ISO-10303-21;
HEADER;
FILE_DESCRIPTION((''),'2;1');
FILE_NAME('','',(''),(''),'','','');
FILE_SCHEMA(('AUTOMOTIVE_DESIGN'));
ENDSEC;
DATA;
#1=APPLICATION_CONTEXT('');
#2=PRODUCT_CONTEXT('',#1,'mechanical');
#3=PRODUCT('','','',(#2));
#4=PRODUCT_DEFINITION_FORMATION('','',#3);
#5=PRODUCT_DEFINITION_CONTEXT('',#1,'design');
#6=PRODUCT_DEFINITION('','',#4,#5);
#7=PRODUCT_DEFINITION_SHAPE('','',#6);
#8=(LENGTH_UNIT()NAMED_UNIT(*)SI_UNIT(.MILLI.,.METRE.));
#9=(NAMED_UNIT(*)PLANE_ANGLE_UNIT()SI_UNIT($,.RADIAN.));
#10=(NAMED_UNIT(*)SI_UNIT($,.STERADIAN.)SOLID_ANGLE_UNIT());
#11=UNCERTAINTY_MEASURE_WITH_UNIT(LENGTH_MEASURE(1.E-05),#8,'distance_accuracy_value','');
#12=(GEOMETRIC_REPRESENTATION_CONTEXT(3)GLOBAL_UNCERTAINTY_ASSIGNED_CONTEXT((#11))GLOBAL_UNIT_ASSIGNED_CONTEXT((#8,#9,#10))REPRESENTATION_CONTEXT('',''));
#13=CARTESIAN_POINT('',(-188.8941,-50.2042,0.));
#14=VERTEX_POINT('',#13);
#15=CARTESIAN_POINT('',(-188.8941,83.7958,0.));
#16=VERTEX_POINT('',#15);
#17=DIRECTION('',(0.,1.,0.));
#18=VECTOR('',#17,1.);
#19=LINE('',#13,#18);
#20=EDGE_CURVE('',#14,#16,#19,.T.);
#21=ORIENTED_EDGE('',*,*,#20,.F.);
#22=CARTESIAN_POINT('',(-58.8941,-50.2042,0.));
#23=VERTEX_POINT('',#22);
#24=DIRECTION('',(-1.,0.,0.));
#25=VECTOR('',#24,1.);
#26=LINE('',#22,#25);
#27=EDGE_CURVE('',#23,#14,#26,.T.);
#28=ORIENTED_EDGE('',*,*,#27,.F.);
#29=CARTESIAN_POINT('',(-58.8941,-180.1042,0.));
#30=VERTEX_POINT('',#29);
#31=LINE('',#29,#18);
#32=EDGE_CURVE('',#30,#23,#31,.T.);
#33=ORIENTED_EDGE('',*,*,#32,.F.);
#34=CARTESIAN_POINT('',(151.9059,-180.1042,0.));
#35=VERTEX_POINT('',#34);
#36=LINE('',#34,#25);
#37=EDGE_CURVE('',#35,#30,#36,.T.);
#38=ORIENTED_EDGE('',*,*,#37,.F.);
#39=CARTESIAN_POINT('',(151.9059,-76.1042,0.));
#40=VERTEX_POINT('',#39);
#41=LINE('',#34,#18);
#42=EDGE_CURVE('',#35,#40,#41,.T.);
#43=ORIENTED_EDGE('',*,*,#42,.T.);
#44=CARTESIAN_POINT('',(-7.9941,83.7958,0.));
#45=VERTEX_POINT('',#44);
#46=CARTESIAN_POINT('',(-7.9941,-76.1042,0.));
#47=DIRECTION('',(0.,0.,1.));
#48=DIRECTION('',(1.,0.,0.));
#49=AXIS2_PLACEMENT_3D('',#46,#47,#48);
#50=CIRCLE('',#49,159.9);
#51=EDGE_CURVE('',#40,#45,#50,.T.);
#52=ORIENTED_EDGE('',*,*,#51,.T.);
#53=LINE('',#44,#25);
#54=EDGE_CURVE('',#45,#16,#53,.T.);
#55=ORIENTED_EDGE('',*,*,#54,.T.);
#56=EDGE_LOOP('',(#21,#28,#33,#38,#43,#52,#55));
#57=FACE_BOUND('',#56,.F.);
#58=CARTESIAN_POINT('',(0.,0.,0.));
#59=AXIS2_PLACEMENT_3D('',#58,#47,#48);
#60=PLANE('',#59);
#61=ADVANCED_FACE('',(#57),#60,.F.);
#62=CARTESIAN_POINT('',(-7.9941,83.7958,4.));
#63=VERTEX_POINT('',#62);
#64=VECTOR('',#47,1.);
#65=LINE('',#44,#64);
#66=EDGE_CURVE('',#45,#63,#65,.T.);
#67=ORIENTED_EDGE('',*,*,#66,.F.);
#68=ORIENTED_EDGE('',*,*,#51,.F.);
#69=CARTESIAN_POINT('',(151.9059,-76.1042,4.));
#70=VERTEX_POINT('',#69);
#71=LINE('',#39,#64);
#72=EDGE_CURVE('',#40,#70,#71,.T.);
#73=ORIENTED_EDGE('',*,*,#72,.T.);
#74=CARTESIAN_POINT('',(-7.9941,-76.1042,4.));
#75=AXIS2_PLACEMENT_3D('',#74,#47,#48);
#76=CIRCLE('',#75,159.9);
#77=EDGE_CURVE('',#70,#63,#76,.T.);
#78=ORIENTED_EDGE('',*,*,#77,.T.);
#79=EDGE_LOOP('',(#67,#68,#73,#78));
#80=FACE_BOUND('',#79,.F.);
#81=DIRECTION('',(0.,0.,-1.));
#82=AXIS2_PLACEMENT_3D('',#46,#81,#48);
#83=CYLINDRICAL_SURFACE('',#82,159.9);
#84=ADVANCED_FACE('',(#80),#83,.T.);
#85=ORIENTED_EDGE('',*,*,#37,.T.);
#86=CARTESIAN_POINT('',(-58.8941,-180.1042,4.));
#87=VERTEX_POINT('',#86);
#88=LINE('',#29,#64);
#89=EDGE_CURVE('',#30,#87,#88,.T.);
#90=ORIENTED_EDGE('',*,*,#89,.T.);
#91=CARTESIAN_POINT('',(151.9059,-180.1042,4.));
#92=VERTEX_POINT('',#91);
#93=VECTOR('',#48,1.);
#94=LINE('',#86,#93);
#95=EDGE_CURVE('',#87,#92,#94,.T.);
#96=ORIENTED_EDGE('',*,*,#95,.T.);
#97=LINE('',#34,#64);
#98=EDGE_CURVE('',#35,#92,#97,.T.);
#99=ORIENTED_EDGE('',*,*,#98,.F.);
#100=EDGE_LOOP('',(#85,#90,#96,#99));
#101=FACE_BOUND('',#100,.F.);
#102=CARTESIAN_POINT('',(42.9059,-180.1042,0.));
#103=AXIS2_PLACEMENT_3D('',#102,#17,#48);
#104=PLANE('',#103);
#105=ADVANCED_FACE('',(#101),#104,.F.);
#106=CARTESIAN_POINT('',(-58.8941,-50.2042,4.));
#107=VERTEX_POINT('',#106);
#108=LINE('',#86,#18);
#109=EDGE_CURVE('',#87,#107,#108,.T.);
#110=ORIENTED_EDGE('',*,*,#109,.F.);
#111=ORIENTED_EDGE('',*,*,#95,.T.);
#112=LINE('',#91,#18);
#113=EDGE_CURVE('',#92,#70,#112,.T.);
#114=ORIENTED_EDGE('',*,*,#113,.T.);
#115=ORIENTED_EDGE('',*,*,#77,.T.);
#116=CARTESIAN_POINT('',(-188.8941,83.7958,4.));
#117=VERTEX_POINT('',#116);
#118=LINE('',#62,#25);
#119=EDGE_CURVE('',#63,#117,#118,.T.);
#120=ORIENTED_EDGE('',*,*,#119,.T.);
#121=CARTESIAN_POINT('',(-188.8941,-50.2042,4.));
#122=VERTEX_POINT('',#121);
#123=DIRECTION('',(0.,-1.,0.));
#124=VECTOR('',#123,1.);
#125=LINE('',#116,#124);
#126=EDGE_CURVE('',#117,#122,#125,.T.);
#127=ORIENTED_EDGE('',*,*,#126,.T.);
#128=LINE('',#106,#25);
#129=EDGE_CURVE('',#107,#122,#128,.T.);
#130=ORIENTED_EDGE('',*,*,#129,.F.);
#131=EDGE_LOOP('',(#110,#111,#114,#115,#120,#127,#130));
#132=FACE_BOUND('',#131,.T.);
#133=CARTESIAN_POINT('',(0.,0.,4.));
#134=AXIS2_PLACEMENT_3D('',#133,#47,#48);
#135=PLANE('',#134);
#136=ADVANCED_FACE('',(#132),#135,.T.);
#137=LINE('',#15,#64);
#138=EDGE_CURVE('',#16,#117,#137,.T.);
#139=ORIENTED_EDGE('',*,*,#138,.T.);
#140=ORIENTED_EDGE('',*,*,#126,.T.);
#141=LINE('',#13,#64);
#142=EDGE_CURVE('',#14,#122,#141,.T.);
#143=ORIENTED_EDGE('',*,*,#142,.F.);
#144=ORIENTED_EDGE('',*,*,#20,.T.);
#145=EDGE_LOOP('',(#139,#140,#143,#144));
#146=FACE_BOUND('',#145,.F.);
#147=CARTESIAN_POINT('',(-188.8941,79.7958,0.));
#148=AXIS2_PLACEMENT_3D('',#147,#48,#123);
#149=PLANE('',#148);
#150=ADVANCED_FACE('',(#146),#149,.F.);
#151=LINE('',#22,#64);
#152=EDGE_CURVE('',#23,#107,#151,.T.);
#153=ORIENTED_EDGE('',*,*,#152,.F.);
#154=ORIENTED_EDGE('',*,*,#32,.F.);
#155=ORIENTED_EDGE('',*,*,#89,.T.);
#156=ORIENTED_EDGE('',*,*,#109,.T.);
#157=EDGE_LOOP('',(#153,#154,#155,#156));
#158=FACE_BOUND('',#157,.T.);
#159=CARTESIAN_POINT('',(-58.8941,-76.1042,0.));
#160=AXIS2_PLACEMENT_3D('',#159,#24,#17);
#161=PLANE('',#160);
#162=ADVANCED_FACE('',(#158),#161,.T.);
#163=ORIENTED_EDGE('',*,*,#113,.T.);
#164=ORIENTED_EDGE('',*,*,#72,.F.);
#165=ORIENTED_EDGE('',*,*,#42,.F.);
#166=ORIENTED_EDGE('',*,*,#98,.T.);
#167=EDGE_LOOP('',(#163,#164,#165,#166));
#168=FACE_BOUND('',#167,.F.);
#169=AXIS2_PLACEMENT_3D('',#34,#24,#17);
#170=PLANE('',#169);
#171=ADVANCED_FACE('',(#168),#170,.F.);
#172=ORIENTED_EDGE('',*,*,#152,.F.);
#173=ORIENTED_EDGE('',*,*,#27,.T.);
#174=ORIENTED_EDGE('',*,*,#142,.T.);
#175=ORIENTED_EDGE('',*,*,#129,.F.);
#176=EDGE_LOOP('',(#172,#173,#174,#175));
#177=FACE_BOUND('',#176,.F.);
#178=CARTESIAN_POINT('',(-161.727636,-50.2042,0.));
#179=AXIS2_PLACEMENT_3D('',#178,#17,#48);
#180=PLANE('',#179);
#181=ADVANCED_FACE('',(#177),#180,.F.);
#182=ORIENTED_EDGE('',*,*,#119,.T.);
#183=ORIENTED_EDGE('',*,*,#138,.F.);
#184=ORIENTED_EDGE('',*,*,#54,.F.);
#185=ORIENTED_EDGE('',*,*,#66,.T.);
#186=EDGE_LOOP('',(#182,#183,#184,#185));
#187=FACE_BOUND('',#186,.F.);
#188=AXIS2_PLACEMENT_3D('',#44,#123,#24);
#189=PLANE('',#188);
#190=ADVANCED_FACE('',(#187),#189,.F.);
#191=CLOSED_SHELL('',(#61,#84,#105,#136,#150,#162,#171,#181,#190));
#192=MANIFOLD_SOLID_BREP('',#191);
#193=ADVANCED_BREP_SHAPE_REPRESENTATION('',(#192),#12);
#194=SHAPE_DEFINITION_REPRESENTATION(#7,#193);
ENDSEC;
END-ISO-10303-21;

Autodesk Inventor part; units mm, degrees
ref_plane "YZ Plane" through (0, 0, 0) normal (1, 0, 0) x (0, 1, 0)
ref_plane "XZ Plane" through (0, 0, 0) normal (0, 1, 0) x (-1, 0, 0)
ref_plane "XY Plane" through (0, 0, 0) normal (0, 0, 1) x (1, 0, 0)
sketch "Sketch1" plane through (0, 0, 0) normal (0, 0, 1) x (1, 0, 0)
  circle A0 centre (-7.9941, -76.1042) radius 50.9
  line L0 (42.9059, -433.1479) -> (-58.8941, -433.1479)
  arc A1 (-58.8941, -127.0042) -> (42.9059, -127.0042) centre (-7.9941, -76.1042) ccw
  line L1 (147.9059, -76.1042) -> (147.9059, -176.1042)
  line L2 (147.9059, -176.1042) -> (42.9059, -176.1042)
  line L3 (42.9059, -176.1042) -> (42.9059, -127.0042)
  line L4 (-58.8941, -176.1042) -> (-163.8941, -176.1042)
  line L5 (-163.8941, -176.1042) -> (-163.8941, -76.1042)
  line L6 (-163.8941, -76.1042) -> (-58.8941, -76.1042)
  line L7 (-58.8941, -76.1042) -> (-58.8941, -176.1042)
  line L8 (-58.8941, -176.1042) -> (42.9059, -176.1042)
  line L9 (-33.8941, -143.2668) -> (-33.8941, -176.1042)
  arc A2 (147.9059, -76.1042) -> (-163.8941, -76.1042) centre (-7.9941, -76.1042) ccw
  line L10 (-58.8941, -180.1042) -> (-167.8941, -180.1042)
  line L11 (-167.8941, -180.1042) -> (-167.8941, -76.1042)
  line L12 (-58.8941, -180.1042) -> (42.9059, -180.1042)
  line L13 (42.9059, -180.1042) -> (151.9059, -180.1042)
  line L14 (151.9059, -180.1042) -> (151.9059, -76.1042)
  arc A3 (151.9059, -76.1042) -> (-167.8941, -76.1042) centre (-7.9941, -76.1042) ccw
  line L15 (-58.8941, 79.7958) -> (-188.8941, 79.7958)
  line L16 (-188.8941, 79.7958) -> (-188.8941, -50.2042)
  line L17 (-188.8941, -50.2042) -> (-58.8941, -50.2042)
  line L18 (-58.8941, -50.2042) -> (-58.8941, 79.7958)
  line L19 (-58.8941, -76.1042) -> (-58.8941, -50.2042)
  line L20 (-58.8941, -176.1042) -> (-58.8941, -180.6362)
  line L21 (-58.8941, 79.7958) -> (-7.9941, 79.7958)
  line L22 (-188.8941, 79.7958) -> (-7.9941, 79.7958)
  line L23 (-7.9941, 79.7958) -> (-7.9941, 83.7958)
  line L24 (-7.9941, 83.7958) -> (-188.8941, 83.7958)
  line L25 (-188.8941, 83.7958) -> (-188.8941, 79.7958)
  point P0 (0, 0)
  dimension "d0" = 101.8
  dimension "d2" = 100
  dimension "d3" = 130
  dimension "d4" = 4
  dimension "d5" = 4
  dimension "d6" = 4
  dimension "d18" = 130
  dimension "d19" = 130
extrude "Extrusion4" add sketch "Sketch1" along normal blind 4 contours A0 | L19 L18 A2 L1 L2 L3 A1 L7 | A1 L9 L8 L7 | L17 A2 L18 | L17 A3 L18 A2 | A1 L3 L8 L9 | L8 L2 L1 A2 L23 A3 L14 L13 L12 L20 | L18 A3 L21 A2 | L17 L16 L15 L18 A3 | L21 A3 L23 | L18 L21 A3 | L21 L15 L25 L24 A3
equation "\"d20\" = d5"
properties part number "Shooter"
